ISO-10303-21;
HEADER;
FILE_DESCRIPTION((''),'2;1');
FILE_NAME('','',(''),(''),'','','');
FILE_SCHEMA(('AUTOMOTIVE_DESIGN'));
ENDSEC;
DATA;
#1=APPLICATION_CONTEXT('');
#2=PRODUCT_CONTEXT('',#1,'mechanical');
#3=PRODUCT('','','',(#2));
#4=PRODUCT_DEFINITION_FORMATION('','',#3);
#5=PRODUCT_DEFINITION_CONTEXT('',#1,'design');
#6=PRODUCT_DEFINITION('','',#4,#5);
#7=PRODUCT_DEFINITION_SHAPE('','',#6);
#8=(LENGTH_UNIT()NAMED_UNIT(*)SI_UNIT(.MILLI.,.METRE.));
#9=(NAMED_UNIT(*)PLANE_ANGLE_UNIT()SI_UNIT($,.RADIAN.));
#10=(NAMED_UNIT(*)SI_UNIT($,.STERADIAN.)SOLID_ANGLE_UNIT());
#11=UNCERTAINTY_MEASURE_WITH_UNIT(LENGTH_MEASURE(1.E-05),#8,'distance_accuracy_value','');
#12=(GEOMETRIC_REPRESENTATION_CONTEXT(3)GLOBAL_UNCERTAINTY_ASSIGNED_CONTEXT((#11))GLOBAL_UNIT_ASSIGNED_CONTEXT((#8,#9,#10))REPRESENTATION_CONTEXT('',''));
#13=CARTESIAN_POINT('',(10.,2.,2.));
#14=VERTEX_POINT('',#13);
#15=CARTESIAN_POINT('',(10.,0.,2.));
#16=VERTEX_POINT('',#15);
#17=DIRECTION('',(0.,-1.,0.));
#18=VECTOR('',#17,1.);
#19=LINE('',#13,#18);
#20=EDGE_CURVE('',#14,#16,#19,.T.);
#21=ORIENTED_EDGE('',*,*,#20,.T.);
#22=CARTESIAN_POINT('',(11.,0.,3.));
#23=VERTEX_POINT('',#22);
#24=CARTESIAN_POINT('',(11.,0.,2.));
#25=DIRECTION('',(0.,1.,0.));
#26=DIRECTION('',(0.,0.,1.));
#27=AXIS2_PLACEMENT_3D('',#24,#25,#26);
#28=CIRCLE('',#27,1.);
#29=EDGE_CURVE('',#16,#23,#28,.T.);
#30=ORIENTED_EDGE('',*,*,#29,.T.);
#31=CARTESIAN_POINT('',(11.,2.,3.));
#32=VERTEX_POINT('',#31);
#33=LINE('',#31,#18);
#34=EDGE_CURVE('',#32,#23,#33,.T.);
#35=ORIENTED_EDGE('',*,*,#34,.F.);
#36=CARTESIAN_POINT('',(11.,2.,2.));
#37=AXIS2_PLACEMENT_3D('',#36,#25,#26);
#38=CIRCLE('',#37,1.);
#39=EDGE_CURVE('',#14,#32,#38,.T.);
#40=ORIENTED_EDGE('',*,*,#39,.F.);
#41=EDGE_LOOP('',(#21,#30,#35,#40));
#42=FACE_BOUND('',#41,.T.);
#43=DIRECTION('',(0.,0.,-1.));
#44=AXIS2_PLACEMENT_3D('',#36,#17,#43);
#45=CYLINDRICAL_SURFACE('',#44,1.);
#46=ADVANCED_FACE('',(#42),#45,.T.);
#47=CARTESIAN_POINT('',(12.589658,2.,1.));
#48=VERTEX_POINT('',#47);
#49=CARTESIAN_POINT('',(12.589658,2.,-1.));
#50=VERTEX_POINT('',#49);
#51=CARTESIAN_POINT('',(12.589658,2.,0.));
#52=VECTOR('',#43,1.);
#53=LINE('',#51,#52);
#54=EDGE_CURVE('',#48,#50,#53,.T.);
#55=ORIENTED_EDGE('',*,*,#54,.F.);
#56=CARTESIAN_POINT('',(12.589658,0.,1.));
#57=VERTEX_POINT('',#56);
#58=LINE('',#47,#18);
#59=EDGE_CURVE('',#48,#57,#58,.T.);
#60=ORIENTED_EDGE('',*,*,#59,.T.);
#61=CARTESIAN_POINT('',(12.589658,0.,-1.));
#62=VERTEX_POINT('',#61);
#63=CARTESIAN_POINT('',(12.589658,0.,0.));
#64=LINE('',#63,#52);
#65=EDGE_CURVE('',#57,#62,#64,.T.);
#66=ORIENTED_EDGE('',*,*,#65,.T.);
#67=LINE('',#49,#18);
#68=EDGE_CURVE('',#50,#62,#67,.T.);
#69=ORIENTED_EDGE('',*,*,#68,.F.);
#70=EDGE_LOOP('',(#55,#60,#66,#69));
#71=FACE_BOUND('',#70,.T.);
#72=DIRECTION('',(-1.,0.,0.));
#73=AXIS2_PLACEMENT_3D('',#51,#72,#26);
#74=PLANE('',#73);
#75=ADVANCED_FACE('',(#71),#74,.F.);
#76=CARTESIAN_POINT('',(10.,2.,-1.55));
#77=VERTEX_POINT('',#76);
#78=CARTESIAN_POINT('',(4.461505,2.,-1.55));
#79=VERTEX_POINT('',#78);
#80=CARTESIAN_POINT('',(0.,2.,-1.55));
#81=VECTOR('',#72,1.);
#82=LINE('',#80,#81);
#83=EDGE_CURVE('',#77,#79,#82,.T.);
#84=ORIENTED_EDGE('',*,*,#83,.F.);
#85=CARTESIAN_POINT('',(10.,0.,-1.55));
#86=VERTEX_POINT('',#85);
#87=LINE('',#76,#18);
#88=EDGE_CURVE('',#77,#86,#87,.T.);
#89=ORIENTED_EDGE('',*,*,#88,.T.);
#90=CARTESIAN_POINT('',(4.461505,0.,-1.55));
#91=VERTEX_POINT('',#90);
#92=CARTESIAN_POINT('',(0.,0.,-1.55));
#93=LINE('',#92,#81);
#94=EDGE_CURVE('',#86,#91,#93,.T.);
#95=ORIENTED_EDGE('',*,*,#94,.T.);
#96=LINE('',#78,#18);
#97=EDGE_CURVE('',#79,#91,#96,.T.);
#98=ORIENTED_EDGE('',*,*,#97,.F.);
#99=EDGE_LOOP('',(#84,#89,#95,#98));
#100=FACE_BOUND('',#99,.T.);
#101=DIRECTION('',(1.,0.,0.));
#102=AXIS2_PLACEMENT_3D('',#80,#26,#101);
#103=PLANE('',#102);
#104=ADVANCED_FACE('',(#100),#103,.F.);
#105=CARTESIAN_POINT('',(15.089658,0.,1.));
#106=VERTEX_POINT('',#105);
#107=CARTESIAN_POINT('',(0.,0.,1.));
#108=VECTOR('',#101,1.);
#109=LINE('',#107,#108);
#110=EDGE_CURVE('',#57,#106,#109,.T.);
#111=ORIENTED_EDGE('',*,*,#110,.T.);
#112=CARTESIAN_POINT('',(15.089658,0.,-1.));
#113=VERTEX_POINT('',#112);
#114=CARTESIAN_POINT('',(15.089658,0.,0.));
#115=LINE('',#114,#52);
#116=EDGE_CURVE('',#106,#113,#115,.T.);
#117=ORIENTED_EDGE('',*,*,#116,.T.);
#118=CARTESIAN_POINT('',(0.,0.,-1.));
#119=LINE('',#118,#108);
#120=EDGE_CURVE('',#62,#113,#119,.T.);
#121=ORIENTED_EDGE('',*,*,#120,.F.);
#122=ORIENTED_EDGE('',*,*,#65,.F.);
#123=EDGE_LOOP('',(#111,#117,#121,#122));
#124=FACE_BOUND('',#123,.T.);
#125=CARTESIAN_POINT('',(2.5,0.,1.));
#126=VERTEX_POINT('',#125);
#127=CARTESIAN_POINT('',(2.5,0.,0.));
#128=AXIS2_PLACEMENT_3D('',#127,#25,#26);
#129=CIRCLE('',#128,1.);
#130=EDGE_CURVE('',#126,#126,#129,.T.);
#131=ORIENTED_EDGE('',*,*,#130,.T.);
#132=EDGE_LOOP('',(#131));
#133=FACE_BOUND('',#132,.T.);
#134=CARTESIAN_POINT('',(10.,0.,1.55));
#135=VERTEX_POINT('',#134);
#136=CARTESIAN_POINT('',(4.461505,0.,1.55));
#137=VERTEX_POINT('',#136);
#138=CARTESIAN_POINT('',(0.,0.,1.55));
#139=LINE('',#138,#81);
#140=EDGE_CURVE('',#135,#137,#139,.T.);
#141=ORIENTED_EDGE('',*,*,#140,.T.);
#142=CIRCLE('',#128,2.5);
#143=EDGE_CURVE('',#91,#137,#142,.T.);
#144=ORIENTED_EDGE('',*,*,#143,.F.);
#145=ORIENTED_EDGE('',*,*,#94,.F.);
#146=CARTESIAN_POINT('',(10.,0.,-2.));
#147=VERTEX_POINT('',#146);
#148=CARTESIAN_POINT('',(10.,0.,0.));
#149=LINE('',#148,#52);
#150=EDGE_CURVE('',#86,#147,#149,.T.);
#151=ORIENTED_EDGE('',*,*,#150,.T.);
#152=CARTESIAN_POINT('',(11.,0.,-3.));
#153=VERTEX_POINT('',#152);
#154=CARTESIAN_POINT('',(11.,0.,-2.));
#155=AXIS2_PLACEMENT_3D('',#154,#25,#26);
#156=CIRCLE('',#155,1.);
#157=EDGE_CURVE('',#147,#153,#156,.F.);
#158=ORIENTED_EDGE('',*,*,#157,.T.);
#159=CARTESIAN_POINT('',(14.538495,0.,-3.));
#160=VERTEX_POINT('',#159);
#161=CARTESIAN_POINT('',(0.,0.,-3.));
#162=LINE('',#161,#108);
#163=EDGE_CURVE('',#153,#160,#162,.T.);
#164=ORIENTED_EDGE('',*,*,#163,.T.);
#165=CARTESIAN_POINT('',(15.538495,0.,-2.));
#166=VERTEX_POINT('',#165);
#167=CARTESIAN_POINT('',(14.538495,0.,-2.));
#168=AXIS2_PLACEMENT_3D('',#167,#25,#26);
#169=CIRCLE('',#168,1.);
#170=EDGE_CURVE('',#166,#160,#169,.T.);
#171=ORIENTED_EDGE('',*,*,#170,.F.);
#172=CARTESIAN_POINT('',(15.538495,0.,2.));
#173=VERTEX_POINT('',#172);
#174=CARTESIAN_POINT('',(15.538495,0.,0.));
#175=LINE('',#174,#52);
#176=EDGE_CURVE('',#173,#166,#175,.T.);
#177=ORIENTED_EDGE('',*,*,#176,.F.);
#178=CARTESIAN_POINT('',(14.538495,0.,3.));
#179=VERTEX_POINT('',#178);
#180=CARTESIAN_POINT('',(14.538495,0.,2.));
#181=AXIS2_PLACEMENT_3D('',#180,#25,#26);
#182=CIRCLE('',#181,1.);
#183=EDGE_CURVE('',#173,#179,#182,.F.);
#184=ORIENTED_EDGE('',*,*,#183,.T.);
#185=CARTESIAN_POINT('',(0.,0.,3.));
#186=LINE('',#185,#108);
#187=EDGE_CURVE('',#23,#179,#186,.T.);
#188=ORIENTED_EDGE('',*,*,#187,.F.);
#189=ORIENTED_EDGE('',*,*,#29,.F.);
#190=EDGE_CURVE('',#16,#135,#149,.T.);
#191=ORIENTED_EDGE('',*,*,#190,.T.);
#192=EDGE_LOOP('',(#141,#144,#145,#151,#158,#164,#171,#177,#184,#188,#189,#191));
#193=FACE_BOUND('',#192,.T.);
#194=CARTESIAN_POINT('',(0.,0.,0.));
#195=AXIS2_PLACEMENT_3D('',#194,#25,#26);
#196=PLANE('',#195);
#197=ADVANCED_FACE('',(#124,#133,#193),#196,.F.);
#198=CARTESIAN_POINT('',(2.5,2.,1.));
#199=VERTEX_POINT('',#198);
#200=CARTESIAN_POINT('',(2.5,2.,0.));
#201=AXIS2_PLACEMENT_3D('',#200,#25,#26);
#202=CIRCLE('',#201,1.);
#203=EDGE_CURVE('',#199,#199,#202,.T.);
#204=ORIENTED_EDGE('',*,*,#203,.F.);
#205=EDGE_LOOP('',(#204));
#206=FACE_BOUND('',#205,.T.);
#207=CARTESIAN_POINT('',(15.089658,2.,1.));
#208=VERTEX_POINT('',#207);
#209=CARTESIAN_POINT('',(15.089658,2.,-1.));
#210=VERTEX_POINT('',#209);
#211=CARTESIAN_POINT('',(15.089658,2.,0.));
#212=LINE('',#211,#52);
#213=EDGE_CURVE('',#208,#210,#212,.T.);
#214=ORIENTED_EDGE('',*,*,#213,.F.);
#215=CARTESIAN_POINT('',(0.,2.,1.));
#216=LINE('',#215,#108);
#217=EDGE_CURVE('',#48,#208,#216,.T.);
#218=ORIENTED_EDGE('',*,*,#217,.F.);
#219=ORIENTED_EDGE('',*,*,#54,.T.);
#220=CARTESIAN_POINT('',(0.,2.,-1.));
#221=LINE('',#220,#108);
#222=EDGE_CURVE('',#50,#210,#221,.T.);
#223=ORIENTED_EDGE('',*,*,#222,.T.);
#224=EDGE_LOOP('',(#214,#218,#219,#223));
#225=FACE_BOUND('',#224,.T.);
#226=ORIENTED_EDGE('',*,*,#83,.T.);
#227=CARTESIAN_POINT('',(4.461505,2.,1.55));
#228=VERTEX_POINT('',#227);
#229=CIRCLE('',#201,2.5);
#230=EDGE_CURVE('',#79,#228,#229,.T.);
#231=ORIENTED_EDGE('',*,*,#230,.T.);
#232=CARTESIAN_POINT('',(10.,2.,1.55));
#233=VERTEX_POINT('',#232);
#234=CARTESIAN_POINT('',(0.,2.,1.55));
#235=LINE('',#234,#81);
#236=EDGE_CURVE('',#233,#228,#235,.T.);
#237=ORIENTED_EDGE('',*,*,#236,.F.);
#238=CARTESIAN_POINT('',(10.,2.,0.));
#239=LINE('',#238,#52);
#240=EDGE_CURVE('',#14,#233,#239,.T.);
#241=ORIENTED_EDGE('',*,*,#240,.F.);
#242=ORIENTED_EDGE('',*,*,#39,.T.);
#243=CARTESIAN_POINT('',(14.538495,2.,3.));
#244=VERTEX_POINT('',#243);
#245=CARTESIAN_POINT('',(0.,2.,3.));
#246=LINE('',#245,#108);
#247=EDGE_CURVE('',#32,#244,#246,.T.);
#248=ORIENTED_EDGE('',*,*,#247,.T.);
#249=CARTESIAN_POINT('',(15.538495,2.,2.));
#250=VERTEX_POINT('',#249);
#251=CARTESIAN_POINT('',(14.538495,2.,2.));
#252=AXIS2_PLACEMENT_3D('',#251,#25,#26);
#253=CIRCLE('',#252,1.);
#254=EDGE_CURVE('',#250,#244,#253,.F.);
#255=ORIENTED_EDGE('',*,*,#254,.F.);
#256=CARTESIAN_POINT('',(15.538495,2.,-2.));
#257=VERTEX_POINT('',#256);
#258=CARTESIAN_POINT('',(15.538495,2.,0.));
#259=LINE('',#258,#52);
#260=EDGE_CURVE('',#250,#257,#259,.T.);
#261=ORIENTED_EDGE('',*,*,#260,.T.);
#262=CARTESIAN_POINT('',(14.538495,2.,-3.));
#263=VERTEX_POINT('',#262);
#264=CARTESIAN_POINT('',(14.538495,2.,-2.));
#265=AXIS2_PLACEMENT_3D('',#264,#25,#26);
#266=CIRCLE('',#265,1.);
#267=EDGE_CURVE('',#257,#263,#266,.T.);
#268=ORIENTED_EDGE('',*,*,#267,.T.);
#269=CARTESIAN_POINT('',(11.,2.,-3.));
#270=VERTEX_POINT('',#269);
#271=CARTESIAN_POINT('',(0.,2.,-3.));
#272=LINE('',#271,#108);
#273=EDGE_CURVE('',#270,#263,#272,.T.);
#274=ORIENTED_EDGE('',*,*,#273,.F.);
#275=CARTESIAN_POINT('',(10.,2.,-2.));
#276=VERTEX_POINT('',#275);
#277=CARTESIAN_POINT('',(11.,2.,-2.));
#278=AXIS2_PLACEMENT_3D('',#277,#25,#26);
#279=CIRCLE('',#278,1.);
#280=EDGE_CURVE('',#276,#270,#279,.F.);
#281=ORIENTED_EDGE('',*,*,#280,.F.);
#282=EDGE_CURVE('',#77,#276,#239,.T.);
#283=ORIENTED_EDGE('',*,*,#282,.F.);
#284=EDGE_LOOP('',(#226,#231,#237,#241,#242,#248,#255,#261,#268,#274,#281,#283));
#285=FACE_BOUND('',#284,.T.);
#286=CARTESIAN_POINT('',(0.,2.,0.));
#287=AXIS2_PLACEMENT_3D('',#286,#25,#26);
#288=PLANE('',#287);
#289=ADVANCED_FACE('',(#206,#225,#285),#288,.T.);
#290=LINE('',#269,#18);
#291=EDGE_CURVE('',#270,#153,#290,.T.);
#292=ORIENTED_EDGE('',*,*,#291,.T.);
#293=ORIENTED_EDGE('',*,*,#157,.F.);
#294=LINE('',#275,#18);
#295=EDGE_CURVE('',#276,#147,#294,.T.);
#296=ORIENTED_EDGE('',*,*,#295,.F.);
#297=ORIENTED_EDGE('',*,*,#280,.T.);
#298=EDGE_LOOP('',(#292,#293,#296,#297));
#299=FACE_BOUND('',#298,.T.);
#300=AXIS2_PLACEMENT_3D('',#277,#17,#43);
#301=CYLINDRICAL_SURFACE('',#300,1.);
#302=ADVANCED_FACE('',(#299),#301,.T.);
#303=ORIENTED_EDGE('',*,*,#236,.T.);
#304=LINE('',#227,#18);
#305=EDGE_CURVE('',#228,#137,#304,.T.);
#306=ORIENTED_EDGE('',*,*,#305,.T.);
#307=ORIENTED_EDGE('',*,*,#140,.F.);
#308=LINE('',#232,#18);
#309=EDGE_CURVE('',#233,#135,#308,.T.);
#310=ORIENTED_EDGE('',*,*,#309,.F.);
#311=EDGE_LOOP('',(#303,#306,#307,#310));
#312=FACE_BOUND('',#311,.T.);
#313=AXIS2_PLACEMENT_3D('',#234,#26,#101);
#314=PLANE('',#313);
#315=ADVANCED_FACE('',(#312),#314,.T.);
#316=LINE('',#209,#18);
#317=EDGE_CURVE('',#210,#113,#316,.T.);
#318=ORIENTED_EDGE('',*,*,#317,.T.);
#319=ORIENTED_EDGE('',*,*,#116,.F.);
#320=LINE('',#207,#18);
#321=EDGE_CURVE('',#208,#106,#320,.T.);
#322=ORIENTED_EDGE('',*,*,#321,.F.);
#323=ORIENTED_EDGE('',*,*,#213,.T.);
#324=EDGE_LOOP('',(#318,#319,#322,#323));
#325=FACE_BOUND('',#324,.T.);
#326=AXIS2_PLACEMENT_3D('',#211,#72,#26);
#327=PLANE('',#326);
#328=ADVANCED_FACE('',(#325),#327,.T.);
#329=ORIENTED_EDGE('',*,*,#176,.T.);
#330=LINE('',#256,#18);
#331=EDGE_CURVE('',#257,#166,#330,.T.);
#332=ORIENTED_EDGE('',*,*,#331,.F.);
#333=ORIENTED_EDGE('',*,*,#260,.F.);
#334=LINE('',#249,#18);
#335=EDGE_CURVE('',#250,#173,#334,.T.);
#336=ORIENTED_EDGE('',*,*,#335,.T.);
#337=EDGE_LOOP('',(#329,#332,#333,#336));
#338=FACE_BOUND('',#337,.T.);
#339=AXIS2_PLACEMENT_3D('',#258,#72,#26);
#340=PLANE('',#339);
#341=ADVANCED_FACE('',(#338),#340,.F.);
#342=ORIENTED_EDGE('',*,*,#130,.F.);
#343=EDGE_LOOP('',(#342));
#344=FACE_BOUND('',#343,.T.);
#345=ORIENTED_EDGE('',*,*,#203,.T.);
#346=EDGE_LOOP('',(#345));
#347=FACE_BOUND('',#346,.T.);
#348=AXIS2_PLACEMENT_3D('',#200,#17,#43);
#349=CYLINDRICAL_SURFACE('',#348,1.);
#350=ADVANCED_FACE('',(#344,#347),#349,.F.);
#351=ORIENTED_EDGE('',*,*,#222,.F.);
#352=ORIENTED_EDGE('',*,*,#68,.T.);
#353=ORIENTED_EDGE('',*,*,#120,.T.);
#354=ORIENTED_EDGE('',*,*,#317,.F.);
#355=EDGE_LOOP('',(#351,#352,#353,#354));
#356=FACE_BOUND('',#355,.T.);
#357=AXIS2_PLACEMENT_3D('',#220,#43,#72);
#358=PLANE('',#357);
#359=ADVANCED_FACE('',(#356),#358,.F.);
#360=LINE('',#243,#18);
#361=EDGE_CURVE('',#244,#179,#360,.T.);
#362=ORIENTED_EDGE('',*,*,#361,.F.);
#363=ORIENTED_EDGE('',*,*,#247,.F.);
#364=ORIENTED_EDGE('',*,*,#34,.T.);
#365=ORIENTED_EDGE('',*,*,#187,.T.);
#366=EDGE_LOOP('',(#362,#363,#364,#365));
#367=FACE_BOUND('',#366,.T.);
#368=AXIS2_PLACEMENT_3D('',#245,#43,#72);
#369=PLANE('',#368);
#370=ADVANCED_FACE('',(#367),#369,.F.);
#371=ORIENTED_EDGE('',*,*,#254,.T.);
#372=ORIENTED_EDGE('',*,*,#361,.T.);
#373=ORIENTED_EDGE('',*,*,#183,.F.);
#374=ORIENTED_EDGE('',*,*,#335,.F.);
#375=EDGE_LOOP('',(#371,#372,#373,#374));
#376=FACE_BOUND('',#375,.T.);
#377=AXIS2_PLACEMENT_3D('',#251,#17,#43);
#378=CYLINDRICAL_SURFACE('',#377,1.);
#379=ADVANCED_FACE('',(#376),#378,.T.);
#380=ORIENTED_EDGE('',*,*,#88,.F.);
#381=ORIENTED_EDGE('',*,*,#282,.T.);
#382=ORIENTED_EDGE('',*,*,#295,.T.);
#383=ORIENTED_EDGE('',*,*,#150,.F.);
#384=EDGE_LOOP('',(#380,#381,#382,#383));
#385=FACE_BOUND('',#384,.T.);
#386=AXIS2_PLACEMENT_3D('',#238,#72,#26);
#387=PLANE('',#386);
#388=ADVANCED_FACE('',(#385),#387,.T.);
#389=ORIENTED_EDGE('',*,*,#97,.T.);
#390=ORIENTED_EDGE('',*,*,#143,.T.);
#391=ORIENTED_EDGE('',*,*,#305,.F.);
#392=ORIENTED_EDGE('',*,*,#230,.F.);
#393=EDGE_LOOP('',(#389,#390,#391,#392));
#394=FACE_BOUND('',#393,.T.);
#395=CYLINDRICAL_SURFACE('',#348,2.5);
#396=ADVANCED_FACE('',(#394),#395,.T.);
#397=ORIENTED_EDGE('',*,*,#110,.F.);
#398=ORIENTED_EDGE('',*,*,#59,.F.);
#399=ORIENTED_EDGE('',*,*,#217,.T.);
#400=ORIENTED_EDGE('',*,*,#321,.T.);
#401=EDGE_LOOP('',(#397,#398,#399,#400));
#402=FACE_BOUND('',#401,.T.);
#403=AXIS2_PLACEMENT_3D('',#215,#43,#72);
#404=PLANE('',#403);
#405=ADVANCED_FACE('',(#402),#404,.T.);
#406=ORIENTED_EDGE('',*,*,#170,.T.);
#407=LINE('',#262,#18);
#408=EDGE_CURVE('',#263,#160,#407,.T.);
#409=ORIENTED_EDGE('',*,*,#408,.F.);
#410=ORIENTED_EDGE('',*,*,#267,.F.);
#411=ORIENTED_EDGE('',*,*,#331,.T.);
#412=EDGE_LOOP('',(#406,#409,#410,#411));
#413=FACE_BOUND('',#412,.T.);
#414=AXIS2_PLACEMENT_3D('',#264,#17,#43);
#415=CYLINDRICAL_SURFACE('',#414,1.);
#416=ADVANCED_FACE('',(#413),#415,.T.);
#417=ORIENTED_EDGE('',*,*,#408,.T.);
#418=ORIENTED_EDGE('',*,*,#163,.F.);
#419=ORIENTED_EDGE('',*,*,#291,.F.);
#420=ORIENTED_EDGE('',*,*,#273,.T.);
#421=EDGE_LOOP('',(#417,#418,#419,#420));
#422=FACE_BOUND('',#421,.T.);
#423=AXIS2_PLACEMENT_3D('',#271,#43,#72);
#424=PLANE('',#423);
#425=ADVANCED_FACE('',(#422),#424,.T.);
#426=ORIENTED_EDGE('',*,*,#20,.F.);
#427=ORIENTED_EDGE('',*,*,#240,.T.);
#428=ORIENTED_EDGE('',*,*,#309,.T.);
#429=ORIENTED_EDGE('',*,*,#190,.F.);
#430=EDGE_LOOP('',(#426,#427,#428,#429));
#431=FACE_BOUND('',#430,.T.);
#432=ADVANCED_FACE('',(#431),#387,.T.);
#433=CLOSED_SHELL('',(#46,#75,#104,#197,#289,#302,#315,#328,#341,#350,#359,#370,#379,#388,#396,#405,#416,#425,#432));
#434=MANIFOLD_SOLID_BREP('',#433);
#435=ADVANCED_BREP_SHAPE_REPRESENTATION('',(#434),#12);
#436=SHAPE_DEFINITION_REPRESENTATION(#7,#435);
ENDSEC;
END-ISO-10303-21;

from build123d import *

# Parameters (mm, degrees)
SKETCH1_R           = 1
SKETCH1_W           = 2.5
SKETCH1_H           = 2
BOSS_EXTRUDE4_DEPTH = 2


with BuildPart() as part:
    # Sketch1 → Boss-Extrude4 (new body)
    with BuildSketch(Plane(origin=(0, 0, 0), x_dir=(1, 0, 0), z_dir=(0, 1, 0))):
        with BuildLine():
            Line((4.461504525, -1.55), (10, -1.55))
            Line((10, -1.55), (10, -2))
            ThreePointArc((10, -2), (10.292893219, -2.707106781), (11, -3))
            Line((11, -3), (14.538495475, -3))
            ThreePointArc((14.538495475, -3), (15.245602257, -2.707106781), (15.538495475, -2))
            Line((15.538495475, -2), (15.538495475, 2))
            ThreePointArc((15.538495475, 2), (15.245602257, 2.707106781), (14.538495475, 3))
            Line((14.538495475, 3), (11, 3))
            ThreePointArc((11, 3), (10.292893219, 2.707106781), (10, 2))
            Line((10, 2), (10, 1.55))
            Line((10, 1.55), (4.461504525, 1.55))
            ThreePointArc((4.461504525, 1.55), (0, 0), (4.461504525, -1.55))
        make_face()
        with Locations((2.5, 0)):
            Circle(SKETCH1_R, mode=Mode.SUBTRACT)
        with Locations((13.839657546, 0)):
            Rectangle(SKETCH1_W, SKETCH1_H, mode=Mode.SUBTRACT)
    extrude(amount=BOSS_EXTRUDE4_DEPTH)


solid = part.part
